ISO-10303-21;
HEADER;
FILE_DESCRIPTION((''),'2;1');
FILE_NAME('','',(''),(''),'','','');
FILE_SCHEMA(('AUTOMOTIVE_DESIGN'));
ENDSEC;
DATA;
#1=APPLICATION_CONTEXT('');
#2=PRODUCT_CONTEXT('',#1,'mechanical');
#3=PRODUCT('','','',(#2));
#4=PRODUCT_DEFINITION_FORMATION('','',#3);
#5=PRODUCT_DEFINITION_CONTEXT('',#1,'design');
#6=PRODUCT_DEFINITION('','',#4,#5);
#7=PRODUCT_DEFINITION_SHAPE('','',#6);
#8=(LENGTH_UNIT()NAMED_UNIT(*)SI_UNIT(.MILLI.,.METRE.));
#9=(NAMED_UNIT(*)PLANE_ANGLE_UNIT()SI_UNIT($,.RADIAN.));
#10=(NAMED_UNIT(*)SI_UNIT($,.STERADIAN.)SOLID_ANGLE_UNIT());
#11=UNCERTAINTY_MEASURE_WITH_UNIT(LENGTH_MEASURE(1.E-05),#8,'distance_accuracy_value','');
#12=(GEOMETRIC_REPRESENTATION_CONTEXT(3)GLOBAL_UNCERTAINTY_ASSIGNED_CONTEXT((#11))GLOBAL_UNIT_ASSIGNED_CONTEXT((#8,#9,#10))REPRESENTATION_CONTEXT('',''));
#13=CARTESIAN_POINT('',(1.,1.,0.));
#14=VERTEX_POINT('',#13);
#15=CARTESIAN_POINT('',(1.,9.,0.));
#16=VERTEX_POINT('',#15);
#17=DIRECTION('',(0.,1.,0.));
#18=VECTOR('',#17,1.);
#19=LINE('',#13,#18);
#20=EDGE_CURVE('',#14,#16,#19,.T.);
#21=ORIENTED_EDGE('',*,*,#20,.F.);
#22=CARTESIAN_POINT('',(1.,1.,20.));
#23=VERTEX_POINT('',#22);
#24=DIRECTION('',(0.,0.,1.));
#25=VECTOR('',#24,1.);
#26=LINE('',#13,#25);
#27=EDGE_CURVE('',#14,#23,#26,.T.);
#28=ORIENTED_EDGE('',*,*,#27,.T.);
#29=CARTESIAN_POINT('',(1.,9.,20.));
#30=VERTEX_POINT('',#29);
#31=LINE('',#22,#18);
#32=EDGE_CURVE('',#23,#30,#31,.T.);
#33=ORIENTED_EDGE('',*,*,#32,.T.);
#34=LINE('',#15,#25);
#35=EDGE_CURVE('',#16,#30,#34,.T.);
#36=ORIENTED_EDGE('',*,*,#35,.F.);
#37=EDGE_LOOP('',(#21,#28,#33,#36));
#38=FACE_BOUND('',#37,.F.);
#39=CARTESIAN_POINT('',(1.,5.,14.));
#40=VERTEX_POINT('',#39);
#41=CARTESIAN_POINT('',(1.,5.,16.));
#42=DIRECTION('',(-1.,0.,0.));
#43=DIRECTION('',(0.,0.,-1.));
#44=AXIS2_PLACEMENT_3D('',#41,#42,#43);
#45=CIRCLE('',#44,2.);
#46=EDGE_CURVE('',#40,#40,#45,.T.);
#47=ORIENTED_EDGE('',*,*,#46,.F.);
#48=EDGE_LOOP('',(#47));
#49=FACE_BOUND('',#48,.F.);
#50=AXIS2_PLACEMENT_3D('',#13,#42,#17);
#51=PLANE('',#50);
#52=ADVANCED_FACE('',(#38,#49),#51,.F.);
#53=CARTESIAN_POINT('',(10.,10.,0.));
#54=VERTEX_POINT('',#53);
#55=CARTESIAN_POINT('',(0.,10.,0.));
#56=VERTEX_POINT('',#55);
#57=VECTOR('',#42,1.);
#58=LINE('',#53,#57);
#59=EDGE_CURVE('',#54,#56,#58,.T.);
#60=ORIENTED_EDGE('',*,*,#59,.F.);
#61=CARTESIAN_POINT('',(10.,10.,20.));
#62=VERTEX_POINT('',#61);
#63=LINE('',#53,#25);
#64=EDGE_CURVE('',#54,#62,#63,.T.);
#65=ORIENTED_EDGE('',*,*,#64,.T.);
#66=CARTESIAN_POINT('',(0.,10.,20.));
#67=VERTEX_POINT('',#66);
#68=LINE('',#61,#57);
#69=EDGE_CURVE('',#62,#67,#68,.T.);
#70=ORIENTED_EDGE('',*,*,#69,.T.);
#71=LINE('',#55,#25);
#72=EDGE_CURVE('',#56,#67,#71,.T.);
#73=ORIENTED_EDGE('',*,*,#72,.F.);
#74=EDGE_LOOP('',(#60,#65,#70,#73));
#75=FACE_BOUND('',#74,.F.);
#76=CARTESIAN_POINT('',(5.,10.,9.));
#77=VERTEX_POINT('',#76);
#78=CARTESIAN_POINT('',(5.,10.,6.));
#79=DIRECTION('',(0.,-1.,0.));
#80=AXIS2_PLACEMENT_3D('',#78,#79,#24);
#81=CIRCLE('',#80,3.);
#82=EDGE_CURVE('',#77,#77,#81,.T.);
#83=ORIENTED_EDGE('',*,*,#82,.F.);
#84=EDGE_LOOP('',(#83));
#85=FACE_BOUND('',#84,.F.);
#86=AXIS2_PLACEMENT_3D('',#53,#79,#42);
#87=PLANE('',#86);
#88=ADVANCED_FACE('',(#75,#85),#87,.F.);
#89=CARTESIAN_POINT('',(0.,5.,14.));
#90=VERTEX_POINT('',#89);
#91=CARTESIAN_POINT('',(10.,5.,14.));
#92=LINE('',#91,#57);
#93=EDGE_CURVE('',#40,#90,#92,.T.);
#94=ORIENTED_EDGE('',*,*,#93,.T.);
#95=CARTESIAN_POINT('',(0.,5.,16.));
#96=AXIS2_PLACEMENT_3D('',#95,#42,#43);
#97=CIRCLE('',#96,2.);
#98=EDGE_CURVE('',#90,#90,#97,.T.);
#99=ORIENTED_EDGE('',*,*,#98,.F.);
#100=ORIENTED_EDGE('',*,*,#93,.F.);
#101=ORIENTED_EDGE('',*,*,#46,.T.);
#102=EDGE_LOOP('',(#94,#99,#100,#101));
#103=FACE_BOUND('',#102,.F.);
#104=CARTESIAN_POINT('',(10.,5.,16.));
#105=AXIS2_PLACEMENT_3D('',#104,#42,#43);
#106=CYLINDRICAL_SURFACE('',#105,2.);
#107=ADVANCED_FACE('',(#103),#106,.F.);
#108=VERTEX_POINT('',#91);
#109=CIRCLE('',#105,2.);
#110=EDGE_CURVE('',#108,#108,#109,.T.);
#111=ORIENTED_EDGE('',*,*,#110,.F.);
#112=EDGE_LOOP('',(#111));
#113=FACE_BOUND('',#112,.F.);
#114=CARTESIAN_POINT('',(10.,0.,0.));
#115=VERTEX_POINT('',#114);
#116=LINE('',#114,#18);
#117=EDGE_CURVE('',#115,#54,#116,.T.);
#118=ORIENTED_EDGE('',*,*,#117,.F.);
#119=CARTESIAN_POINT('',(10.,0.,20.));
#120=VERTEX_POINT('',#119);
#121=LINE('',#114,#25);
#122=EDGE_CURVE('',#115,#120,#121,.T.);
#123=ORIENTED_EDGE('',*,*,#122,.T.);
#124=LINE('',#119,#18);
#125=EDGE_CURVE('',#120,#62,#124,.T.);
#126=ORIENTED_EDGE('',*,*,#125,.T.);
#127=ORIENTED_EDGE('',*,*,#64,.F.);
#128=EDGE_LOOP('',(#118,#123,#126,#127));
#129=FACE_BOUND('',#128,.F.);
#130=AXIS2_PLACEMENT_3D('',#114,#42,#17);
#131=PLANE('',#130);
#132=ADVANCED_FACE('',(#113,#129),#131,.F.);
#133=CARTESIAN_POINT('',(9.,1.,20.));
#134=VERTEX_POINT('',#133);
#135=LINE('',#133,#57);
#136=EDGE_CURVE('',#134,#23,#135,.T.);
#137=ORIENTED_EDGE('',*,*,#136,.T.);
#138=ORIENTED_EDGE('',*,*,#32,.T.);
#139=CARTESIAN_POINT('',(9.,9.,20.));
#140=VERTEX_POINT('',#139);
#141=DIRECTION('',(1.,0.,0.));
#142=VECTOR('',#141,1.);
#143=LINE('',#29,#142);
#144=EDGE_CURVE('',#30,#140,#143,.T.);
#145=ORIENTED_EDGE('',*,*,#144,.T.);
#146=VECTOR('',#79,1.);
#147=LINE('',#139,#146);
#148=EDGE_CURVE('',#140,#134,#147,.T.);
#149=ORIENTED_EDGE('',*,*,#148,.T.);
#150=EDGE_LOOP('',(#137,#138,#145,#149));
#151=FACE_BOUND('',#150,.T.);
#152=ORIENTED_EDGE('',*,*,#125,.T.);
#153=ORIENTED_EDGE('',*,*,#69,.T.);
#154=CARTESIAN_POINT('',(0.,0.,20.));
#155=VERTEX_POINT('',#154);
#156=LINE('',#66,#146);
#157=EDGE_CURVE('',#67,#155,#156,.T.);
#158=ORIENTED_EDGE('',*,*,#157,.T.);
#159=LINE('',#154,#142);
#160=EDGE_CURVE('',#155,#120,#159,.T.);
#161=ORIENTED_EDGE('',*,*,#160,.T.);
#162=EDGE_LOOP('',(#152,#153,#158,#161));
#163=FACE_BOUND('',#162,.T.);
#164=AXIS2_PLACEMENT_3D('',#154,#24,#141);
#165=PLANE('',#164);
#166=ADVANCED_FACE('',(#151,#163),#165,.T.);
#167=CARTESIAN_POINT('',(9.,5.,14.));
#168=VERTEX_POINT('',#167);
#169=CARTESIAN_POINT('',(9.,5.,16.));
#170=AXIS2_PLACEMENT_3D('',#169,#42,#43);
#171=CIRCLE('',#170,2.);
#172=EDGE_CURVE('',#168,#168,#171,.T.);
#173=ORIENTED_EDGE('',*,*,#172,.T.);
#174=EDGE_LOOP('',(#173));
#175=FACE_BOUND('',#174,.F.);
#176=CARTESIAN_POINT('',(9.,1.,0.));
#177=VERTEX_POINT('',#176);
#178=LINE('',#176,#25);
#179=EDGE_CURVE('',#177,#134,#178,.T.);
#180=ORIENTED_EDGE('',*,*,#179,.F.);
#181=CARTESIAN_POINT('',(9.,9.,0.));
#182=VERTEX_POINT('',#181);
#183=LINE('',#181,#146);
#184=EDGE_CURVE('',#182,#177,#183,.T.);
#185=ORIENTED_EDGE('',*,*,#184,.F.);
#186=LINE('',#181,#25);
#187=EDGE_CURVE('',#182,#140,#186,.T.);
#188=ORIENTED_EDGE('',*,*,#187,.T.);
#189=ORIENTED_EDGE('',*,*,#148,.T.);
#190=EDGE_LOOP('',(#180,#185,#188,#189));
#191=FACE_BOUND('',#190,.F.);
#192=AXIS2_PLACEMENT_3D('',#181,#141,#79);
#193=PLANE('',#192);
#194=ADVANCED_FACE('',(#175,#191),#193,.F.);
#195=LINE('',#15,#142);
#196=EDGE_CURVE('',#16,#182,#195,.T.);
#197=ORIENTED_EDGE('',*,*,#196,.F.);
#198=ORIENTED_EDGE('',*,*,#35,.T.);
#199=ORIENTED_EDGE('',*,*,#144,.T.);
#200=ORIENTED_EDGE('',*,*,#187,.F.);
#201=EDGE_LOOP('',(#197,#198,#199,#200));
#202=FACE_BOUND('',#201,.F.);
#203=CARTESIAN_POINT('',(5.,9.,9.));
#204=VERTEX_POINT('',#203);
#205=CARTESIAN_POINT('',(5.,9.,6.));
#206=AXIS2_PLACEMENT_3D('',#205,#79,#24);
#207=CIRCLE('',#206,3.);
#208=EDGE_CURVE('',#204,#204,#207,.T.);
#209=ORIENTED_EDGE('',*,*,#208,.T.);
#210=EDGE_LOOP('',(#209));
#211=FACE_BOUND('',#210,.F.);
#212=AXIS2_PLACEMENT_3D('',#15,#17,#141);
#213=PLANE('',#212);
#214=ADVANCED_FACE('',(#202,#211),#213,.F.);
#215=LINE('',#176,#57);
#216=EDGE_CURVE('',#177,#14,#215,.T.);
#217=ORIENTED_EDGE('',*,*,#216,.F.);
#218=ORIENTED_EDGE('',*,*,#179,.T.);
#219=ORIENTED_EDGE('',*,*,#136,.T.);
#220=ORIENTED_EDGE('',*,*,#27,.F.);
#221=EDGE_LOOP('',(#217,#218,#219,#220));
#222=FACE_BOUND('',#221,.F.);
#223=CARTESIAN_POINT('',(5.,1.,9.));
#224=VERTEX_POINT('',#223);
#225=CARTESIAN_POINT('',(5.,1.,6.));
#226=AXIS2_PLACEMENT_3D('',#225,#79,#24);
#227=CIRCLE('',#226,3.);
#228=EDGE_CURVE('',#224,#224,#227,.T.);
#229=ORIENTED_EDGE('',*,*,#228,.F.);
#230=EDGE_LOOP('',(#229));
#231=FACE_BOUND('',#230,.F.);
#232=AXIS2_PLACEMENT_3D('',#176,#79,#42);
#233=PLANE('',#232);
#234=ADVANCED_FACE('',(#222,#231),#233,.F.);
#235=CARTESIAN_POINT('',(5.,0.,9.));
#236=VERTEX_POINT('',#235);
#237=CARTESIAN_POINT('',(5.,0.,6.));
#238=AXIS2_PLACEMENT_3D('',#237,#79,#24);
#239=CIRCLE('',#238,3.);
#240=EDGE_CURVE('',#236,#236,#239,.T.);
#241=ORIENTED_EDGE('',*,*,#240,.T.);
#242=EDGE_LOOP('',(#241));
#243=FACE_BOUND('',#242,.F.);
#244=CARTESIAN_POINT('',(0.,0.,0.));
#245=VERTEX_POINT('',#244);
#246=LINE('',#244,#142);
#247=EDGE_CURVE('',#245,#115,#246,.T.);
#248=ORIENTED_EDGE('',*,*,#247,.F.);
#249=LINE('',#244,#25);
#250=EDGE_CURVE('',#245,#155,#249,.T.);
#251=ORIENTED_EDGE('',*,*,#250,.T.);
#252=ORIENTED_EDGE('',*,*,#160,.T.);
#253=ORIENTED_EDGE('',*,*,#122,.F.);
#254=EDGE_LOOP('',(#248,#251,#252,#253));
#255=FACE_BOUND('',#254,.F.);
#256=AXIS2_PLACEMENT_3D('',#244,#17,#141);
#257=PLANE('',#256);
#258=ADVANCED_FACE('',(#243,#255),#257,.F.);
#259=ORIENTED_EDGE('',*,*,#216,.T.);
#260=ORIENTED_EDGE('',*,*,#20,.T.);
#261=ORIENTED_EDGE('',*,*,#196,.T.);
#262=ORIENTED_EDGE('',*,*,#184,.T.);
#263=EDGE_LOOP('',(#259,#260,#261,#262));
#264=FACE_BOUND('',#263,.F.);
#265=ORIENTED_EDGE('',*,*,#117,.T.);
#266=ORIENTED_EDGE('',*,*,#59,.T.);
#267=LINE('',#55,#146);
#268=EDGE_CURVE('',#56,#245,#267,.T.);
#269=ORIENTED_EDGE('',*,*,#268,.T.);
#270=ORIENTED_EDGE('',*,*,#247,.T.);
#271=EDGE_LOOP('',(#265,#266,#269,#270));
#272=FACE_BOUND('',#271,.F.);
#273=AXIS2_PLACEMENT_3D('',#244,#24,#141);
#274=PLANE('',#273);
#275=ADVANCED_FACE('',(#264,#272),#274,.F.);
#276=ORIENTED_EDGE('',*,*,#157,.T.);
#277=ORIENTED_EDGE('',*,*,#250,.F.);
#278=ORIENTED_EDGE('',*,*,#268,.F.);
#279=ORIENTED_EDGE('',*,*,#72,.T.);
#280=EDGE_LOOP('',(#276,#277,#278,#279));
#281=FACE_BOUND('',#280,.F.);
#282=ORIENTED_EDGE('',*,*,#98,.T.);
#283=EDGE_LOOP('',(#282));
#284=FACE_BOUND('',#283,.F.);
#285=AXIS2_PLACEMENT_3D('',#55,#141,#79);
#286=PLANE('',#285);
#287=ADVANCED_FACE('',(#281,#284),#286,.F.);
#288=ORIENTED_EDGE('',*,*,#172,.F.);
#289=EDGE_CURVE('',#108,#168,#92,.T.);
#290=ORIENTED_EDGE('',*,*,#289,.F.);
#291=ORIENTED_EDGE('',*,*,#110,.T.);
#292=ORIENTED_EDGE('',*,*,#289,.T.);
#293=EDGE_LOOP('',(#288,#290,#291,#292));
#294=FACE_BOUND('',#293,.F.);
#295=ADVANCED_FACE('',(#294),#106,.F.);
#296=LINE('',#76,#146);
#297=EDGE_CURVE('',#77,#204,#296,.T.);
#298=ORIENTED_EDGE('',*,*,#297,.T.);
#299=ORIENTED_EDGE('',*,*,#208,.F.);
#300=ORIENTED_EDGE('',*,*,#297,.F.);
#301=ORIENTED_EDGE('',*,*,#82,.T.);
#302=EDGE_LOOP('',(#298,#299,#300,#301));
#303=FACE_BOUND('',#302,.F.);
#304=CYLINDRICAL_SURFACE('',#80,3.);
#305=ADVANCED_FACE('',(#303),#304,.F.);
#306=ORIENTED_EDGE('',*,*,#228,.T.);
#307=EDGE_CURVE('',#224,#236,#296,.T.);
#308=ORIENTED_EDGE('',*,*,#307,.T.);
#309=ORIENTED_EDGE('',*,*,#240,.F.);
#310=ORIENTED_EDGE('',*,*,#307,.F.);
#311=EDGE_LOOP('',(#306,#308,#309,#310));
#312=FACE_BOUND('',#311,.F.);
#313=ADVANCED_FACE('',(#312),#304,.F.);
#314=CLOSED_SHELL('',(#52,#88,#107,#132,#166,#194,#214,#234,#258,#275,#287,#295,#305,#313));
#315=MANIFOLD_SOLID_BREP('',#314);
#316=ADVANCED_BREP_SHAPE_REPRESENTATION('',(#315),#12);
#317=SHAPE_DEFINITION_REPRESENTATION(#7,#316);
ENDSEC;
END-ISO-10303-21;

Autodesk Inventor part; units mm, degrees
ref_plane "YZ Plane" through (0, 0, 0) normal (1, 0, 0) x (0, 1, 0)
ref_plane "XZ Plane" through (0, 0, 0) normal (0, 1, 0) x (-1, 0, 0)
ref_plane "XY Plane" through (0, 0, 0) normal (0, 0, 1) x (1, 0, 0)
sketch "スケッチ1" plane through (0, 0, 0) normal (0, 0, 1) x (1, 0, 0)
  line L0 (0, 0) -> (10, 0)
  line L1 (10, 0) -> (10, 10)
  line L2 (10, 10) -> (0, 10)
  line L3 (0, 10) -> (0, 0)
  line L4 (1, 9) -> (9, 9)
  line L5 (9, 9) -> (9, 1)
  line L6 (9, 1) -> (1, 1)
  line L7 (1, 1) -> (1, 9)
  dimension "d0" = 10
  dimension "d1" = 10
  dimension "d2" = 1
extrude "押し出し1" add sketch "スケッチ1" along normal blind 20
sketch "スケッチ2" plane through (10, 0, 0) normal (1, 0, 0) x (0, 0, -1)
  line L0 (-20, 0) -> (-20, 10) projected
  point P0 (0, 0)
  point P1 (-16, 5)
  dimension "d5" = 4
hole "穴1" at (10, 5, 16) direction (-1, 0, 0) diameter 4 end through all
sketch "スケッチ3" plane through (0, 10, 0) normal (0, 1, 0) x (1, 0, 0)
  line L0 (10, -20) -> (0, -20) projected
  point P0 (0, 0)
  point P1 (5, -6)
  dimension "d13" = 14
hole "穴2" at (5, 10, 6) direction (0, -1, 0) diameter 6 end through all
properties part number "finger_k_mk_1"
